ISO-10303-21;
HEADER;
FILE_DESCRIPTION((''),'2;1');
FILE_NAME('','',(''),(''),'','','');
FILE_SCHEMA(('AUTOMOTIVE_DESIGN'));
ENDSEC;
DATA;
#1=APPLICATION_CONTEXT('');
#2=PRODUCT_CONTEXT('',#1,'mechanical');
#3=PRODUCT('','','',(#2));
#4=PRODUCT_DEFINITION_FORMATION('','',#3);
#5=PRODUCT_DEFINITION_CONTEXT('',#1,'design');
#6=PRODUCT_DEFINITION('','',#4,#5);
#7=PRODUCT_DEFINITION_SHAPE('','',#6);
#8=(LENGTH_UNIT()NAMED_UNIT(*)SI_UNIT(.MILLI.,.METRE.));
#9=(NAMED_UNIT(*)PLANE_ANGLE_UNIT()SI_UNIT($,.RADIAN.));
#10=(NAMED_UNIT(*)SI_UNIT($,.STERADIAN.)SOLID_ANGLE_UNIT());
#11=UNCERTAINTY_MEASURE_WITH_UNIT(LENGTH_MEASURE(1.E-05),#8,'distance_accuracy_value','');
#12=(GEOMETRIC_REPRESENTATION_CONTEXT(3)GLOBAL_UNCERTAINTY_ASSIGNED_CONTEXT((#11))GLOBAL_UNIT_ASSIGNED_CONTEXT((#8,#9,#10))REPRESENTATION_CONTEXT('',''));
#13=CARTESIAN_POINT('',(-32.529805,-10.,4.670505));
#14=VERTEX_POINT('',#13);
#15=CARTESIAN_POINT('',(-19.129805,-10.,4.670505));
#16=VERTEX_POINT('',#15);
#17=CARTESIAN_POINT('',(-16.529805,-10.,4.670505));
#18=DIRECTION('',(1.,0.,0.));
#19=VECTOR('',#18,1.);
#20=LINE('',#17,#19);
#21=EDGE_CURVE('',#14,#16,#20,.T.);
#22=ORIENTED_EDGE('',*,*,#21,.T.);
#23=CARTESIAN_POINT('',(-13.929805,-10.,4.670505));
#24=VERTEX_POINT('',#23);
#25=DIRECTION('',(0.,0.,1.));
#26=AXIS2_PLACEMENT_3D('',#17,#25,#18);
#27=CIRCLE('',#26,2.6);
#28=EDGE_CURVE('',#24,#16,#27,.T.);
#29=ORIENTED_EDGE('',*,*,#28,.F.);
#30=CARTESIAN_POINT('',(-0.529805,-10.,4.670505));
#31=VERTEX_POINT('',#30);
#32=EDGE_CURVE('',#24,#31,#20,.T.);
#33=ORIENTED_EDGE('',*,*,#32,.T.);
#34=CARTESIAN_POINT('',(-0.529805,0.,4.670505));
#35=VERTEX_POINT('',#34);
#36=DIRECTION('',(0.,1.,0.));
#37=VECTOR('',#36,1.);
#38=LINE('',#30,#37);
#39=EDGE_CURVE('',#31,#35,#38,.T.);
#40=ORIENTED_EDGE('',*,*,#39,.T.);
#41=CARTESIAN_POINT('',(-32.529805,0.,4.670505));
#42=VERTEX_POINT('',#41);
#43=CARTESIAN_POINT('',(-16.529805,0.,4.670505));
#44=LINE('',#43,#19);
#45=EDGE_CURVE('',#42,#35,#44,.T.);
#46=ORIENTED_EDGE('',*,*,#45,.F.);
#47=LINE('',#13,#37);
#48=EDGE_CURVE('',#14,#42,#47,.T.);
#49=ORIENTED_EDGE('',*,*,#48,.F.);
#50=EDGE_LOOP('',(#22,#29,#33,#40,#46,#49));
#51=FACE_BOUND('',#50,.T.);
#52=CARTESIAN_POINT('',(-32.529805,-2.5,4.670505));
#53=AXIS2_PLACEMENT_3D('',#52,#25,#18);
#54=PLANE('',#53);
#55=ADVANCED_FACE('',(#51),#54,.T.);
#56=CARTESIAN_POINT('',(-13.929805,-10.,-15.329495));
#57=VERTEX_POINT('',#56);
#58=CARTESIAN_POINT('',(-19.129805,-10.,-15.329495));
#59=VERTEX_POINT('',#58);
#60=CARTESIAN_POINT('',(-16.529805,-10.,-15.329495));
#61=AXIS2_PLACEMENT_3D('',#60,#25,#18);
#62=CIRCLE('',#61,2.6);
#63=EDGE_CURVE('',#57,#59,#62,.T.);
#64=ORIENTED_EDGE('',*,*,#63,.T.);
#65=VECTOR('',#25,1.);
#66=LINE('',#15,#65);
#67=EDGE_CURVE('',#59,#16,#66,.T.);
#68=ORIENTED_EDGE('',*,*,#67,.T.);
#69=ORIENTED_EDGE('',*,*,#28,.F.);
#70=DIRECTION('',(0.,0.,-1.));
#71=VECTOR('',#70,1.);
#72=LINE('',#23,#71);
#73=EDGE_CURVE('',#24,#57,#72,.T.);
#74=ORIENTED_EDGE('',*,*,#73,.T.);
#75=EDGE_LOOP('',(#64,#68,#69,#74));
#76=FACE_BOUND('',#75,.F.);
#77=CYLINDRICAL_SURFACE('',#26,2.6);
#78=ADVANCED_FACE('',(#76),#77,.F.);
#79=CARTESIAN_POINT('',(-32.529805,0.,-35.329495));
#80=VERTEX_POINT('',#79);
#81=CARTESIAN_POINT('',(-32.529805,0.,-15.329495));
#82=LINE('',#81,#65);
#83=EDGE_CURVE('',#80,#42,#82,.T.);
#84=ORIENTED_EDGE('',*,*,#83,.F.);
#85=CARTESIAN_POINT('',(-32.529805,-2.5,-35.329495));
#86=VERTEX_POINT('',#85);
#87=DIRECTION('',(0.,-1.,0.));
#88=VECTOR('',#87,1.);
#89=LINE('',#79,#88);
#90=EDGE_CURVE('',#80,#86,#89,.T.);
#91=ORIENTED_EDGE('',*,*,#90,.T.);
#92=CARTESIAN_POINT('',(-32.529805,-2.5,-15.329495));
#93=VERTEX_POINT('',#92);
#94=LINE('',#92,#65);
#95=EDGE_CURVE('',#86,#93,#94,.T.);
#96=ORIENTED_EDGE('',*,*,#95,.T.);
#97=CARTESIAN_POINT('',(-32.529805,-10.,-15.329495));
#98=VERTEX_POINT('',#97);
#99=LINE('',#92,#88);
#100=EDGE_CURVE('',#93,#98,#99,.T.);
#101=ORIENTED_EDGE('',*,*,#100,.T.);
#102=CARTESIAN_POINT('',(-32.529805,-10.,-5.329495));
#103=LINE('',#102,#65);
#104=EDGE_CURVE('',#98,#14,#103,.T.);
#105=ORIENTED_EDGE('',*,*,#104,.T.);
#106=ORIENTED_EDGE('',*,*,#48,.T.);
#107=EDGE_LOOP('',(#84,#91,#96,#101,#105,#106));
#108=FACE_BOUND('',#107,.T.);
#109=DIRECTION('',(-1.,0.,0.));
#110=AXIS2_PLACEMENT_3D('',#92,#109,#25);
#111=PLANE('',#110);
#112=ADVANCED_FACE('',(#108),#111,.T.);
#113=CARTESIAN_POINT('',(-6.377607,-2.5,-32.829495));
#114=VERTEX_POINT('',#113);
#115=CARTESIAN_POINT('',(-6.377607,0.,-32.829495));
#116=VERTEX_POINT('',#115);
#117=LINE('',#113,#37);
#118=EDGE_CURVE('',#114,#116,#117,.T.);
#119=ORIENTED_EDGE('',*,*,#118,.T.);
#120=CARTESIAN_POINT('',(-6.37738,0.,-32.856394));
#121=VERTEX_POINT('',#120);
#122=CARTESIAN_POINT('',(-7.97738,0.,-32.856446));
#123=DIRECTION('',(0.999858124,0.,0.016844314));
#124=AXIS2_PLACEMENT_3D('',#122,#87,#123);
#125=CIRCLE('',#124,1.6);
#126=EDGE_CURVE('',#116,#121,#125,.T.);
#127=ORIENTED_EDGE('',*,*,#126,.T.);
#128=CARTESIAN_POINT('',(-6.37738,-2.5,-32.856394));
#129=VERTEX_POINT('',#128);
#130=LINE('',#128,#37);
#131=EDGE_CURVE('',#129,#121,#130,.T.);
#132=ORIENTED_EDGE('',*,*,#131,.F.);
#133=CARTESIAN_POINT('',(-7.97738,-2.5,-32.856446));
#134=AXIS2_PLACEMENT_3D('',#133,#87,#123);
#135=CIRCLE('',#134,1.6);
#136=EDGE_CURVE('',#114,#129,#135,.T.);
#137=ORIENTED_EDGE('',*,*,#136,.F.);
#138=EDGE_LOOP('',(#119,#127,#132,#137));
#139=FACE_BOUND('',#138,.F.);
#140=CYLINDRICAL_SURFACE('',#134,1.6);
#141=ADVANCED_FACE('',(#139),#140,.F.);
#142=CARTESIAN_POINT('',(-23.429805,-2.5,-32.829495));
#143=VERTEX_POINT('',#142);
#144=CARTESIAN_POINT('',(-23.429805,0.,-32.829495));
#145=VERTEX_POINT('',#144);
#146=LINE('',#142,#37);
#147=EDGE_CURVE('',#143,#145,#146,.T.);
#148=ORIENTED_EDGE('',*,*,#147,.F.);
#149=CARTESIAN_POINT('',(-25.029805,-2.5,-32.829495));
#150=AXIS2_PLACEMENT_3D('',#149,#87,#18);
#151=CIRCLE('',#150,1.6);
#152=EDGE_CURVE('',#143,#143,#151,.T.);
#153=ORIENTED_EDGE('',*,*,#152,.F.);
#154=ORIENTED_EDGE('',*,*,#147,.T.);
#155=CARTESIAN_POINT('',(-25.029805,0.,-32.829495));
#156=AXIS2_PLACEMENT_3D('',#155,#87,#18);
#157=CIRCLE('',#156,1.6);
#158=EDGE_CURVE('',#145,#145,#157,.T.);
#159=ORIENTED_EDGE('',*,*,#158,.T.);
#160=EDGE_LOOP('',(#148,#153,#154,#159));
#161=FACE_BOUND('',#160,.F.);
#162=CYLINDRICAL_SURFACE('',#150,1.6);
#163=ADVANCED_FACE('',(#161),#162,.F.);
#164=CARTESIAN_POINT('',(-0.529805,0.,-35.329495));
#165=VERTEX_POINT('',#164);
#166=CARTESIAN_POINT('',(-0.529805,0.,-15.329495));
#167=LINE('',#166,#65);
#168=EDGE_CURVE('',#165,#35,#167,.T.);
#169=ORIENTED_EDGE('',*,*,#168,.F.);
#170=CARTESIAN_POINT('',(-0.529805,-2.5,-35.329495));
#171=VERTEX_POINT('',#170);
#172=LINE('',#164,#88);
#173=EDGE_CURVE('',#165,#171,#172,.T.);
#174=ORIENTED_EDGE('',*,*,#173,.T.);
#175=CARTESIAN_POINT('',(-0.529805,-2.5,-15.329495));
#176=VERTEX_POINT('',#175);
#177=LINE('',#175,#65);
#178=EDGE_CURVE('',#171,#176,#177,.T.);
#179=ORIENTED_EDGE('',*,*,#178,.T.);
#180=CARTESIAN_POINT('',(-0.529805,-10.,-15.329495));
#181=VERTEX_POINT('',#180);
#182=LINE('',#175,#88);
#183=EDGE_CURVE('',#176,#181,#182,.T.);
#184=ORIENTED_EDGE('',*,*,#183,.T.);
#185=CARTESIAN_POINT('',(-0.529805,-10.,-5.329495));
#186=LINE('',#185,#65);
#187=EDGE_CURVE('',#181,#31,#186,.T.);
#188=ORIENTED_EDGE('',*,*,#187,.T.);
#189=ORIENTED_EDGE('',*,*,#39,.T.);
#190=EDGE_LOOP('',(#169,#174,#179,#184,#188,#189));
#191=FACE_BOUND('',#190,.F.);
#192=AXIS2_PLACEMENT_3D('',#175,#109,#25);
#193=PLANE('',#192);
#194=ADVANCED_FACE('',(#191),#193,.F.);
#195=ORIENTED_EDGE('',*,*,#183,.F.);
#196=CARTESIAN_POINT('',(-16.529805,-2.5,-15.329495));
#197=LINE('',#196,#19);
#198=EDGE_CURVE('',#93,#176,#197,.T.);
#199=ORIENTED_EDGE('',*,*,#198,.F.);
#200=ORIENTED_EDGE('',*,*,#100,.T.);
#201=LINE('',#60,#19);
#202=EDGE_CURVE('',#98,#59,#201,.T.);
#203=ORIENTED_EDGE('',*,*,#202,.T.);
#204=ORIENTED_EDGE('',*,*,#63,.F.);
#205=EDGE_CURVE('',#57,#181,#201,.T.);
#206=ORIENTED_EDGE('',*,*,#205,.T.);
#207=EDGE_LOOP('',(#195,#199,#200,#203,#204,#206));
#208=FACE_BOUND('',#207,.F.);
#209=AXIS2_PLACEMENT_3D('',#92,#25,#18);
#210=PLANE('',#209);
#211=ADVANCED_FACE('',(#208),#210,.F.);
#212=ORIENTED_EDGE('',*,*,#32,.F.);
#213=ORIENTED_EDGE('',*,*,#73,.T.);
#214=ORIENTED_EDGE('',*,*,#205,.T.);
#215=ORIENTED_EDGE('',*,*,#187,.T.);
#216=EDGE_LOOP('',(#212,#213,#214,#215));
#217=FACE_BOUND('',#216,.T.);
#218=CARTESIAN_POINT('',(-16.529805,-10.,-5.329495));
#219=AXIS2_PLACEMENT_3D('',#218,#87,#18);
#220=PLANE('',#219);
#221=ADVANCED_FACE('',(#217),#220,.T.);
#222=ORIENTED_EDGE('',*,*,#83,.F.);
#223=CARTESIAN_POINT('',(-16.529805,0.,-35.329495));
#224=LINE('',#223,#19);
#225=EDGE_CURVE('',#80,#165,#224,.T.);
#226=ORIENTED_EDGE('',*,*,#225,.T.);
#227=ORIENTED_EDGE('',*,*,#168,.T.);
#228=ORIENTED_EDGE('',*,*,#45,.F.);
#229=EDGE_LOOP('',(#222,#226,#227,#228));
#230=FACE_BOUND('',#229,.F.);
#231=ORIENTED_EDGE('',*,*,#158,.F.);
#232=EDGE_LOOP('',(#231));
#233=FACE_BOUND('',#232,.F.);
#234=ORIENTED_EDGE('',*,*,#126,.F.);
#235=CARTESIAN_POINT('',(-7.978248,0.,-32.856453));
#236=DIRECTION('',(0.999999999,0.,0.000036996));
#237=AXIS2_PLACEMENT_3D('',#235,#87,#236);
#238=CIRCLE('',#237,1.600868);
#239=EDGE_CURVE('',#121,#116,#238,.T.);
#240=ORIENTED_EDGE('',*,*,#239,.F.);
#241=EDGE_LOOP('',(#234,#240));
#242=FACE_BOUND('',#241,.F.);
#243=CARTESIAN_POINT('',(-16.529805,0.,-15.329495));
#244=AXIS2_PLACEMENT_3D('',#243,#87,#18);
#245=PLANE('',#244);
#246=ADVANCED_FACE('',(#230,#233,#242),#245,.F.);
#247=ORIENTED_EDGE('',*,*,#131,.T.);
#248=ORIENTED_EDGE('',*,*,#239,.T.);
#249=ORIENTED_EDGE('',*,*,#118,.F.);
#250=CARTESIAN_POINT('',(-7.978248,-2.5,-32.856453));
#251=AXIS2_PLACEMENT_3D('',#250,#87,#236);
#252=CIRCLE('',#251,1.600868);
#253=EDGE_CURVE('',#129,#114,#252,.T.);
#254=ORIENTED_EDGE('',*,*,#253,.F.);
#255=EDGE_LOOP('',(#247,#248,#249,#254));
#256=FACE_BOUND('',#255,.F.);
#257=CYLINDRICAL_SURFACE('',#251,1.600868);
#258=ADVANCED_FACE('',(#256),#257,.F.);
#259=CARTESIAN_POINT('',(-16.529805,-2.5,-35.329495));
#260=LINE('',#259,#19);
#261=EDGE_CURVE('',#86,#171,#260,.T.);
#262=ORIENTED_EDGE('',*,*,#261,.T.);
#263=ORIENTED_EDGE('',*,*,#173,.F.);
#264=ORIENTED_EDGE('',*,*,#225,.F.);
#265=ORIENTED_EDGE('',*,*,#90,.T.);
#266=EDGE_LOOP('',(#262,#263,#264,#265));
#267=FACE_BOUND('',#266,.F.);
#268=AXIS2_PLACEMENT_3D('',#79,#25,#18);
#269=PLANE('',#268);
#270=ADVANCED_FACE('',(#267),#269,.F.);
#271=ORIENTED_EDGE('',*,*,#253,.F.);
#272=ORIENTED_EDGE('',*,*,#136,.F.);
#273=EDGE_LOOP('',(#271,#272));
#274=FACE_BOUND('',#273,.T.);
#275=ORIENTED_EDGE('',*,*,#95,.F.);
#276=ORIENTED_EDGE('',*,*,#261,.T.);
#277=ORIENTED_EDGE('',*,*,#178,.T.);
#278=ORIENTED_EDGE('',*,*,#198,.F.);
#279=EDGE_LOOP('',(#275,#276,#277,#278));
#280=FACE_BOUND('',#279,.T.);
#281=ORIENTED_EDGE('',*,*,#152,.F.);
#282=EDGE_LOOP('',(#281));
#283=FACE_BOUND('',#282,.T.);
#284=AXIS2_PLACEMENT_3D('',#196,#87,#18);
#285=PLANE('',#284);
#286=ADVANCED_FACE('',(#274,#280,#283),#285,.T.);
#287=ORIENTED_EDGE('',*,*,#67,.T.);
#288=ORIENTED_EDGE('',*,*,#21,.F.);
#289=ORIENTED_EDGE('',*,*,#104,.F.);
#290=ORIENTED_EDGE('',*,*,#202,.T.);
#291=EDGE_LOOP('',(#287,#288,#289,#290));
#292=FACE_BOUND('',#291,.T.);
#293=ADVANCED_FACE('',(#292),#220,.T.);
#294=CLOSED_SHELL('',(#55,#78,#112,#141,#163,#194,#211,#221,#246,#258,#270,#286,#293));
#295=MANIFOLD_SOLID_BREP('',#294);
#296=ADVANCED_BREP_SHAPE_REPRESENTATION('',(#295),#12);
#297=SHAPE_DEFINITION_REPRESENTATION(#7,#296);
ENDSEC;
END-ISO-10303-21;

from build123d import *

# Parameters (mm, degrees)
F0_W     = 32
F0_H     = 40
F1_DEPTH = 2.5
F2_W     = 32
F2_H     = 20
F3_DEPTH = 7.5
F4_R     = 1.6
F5_DEPTH = 2.501
F6_R     = 2.6
F7_DEPTH = 20


with BuildPart() as f1:
    # F0 (on Front) → F1 (new body)
    with BuildSketch(Plane.XZ):
        with Locations((-16.529805, -15.329495)):
            Rectangle(F0_W, F0_H)
    extrude(amount=F1_DEPTH)

    # F2 (on face) → F3 (join)
    with BuildSketch(Plane.XZ.offset(2.5)):
        with Locations((-16.529805, -5.329495)):
            Rectangle(F2_W, F2_H)
    extrude(amount=F3_DEPTH)

    # F4 (on face) → F5 (cut, through all)
    with BuildSketch(Plane.XZ.offset(2.5)):
        with Locations((-25.029805, -32.829495)):
            Circle(F4_R)
        with BuildLine():
            ThreePointArc((-6.37738, -32.856394), (-6.377437, -32.842944), (-6.377607, -32.829495))
            ThreePointArc((-6.377607, -32.829495), (-9.577324, -32.869844), (-6.37738, -32.856394))
        make_face()
    extrude(amount=-F5_DEPTH, mode=Mode.SUBTRACT)

    # F6 (on face) → F7 (cut, through all)
    with BuildSketch(Plane.XY.offset(4.670505)):
        with Locations((-16.529805, -10)):
            Circle(F6_R)
    extrude(amount=-F7_DEPTH, mode=Mode.SUBTRACT)


solid = f1.part
